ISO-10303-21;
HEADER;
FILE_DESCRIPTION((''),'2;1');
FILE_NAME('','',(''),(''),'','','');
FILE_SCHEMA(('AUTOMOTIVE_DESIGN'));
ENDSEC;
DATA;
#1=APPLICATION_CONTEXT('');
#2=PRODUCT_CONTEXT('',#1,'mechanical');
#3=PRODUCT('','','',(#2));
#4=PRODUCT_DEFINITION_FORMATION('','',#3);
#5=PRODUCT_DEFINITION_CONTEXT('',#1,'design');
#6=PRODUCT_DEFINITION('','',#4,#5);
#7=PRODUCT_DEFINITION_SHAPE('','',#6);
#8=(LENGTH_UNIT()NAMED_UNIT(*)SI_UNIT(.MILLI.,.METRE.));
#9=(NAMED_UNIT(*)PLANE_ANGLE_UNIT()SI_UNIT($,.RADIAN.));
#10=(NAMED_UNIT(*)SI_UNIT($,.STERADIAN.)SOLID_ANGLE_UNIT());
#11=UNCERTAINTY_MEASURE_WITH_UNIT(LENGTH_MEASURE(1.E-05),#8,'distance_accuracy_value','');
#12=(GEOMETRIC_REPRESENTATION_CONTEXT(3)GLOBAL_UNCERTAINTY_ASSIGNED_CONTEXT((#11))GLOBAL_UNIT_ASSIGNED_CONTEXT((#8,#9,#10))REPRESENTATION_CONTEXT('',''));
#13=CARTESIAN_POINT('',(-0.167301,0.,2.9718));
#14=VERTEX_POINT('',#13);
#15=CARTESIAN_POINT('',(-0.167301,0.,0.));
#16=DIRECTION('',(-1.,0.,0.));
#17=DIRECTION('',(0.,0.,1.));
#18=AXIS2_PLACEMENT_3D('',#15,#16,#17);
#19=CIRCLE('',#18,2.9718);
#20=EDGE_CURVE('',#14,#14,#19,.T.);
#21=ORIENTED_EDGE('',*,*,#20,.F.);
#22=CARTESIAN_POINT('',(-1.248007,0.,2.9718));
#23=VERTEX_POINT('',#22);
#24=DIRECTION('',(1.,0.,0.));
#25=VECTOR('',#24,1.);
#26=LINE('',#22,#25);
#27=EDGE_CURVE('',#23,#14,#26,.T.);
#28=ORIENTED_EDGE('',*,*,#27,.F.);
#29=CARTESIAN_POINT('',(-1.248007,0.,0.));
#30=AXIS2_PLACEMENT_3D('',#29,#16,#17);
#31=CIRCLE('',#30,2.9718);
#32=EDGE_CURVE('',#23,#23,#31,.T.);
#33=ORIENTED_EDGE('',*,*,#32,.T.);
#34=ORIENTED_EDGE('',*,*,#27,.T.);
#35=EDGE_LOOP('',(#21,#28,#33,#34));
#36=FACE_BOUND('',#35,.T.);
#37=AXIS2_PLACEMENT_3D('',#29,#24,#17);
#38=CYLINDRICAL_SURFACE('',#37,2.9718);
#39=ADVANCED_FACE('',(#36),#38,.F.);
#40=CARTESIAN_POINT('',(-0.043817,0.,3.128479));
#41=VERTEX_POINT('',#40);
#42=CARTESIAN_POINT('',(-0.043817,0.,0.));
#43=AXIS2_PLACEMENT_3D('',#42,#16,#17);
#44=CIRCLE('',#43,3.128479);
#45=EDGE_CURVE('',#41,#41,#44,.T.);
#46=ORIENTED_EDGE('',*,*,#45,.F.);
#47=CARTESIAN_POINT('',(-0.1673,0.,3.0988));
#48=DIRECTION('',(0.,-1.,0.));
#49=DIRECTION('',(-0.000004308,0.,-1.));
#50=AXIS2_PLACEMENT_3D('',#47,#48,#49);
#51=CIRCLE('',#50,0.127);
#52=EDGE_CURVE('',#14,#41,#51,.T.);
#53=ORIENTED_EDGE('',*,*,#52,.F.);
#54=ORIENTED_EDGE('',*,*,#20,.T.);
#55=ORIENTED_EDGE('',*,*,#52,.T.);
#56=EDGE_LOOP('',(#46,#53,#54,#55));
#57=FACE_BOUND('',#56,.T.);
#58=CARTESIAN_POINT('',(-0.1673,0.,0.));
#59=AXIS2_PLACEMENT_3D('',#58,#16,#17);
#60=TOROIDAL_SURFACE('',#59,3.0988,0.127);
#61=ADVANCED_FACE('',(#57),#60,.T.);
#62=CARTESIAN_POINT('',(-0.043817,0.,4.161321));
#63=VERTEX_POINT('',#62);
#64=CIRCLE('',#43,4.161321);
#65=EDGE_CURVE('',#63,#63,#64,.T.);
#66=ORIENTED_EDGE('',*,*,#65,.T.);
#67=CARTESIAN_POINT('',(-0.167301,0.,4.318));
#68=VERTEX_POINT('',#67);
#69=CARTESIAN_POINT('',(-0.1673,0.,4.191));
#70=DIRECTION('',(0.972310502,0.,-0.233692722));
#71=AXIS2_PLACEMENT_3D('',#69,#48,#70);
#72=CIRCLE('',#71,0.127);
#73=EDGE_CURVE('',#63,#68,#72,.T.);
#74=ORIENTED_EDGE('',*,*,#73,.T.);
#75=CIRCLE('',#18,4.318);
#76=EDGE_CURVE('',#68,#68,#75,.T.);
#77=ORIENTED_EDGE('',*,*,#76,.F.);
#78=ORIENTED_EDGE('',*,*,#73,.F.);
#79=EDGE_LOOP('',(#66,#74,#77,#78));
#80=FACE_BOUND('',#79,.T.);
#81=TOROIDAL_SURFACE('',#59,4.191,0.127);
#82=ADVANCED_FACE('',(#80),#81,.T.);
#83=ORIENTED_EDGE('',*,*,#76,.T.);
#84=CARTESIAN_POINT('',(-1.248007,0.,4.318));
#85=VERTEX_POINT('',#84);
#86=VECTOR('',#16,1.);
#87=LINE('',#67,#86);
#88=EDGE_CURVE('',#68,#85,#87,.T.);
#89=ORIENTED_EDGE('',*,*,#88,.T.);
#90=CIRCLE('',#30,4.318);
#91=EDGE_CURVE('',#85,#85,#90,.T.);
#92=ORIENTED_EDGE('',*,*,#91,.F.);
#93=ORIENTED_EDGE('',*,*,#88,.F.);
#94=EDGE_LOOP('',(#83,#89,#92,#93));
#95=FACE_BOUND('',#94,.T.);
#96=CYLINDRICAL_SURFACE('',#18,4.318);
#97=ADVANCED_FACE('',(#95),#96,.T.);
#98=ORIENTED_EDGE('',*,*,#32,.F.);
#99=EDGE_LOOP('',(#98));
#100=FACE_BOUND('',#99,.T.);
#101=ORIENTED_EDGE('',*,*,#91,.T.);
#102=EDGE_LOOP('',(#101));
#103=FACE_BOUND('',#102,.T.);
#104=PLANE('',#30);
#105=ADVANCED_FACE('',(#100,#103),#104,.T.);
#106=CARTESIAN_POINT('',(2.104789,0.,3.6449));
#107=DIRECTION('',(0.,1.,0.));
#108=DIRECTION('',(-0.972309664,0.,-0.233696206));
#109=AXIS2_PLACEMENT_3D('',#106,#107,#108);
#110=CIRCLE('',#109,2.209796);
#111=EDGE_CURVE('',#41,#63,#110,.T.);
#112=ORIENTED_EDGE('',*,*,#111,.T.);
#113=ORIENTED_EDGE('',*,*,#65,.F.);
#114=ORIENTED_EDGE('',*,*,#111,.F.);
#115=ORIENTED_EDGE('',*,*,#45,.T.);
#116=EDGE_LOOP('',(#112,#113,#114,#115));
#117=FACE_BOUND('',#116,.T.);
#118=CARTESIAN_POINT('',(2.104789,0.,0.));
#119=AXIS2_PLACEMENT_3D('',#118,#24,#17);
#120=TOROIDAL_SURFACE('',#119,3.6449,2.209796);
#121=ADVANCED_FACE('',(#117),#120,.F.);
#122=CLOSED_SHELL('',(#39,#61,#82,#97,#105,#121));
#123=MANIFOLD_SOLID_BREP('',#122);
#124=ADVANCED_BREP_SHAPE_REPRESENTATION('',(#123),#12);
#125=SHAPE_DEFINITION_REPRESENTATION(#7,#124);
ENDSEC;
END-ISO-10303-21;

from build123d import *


with BuildPart() as f1:
    # F0 (on Front) → F1 (revolve)
    with BuildSketch(Plane.XZ):
        with BuildLine():
            ThreePointArc((-0.043817, 4.161321), (-0.067555, 4.269612), (-0.167301, 4.318))
            Line((-0.167301, 4.318), (-1.248007, 4.318))
            Line((-1.248007, 4.318), (-1.248007, 2.9718))
            Line((-1.248007, 2.9718), (-0.167301, 2.9718))
            ThreePointArc((-0.167301, 2.9718), (-0.067555, 3.020188), (-0.043817, 3.128479))
            ThreePointArc((-0.043817, 3.128479), (-0.105007, 3.6449), (-0.043817, 4.161321))
        make_face()
    revolve(axis=Axis((-3.079263, 0, 0), (-1, 0, 0)))


solid = f1.part
